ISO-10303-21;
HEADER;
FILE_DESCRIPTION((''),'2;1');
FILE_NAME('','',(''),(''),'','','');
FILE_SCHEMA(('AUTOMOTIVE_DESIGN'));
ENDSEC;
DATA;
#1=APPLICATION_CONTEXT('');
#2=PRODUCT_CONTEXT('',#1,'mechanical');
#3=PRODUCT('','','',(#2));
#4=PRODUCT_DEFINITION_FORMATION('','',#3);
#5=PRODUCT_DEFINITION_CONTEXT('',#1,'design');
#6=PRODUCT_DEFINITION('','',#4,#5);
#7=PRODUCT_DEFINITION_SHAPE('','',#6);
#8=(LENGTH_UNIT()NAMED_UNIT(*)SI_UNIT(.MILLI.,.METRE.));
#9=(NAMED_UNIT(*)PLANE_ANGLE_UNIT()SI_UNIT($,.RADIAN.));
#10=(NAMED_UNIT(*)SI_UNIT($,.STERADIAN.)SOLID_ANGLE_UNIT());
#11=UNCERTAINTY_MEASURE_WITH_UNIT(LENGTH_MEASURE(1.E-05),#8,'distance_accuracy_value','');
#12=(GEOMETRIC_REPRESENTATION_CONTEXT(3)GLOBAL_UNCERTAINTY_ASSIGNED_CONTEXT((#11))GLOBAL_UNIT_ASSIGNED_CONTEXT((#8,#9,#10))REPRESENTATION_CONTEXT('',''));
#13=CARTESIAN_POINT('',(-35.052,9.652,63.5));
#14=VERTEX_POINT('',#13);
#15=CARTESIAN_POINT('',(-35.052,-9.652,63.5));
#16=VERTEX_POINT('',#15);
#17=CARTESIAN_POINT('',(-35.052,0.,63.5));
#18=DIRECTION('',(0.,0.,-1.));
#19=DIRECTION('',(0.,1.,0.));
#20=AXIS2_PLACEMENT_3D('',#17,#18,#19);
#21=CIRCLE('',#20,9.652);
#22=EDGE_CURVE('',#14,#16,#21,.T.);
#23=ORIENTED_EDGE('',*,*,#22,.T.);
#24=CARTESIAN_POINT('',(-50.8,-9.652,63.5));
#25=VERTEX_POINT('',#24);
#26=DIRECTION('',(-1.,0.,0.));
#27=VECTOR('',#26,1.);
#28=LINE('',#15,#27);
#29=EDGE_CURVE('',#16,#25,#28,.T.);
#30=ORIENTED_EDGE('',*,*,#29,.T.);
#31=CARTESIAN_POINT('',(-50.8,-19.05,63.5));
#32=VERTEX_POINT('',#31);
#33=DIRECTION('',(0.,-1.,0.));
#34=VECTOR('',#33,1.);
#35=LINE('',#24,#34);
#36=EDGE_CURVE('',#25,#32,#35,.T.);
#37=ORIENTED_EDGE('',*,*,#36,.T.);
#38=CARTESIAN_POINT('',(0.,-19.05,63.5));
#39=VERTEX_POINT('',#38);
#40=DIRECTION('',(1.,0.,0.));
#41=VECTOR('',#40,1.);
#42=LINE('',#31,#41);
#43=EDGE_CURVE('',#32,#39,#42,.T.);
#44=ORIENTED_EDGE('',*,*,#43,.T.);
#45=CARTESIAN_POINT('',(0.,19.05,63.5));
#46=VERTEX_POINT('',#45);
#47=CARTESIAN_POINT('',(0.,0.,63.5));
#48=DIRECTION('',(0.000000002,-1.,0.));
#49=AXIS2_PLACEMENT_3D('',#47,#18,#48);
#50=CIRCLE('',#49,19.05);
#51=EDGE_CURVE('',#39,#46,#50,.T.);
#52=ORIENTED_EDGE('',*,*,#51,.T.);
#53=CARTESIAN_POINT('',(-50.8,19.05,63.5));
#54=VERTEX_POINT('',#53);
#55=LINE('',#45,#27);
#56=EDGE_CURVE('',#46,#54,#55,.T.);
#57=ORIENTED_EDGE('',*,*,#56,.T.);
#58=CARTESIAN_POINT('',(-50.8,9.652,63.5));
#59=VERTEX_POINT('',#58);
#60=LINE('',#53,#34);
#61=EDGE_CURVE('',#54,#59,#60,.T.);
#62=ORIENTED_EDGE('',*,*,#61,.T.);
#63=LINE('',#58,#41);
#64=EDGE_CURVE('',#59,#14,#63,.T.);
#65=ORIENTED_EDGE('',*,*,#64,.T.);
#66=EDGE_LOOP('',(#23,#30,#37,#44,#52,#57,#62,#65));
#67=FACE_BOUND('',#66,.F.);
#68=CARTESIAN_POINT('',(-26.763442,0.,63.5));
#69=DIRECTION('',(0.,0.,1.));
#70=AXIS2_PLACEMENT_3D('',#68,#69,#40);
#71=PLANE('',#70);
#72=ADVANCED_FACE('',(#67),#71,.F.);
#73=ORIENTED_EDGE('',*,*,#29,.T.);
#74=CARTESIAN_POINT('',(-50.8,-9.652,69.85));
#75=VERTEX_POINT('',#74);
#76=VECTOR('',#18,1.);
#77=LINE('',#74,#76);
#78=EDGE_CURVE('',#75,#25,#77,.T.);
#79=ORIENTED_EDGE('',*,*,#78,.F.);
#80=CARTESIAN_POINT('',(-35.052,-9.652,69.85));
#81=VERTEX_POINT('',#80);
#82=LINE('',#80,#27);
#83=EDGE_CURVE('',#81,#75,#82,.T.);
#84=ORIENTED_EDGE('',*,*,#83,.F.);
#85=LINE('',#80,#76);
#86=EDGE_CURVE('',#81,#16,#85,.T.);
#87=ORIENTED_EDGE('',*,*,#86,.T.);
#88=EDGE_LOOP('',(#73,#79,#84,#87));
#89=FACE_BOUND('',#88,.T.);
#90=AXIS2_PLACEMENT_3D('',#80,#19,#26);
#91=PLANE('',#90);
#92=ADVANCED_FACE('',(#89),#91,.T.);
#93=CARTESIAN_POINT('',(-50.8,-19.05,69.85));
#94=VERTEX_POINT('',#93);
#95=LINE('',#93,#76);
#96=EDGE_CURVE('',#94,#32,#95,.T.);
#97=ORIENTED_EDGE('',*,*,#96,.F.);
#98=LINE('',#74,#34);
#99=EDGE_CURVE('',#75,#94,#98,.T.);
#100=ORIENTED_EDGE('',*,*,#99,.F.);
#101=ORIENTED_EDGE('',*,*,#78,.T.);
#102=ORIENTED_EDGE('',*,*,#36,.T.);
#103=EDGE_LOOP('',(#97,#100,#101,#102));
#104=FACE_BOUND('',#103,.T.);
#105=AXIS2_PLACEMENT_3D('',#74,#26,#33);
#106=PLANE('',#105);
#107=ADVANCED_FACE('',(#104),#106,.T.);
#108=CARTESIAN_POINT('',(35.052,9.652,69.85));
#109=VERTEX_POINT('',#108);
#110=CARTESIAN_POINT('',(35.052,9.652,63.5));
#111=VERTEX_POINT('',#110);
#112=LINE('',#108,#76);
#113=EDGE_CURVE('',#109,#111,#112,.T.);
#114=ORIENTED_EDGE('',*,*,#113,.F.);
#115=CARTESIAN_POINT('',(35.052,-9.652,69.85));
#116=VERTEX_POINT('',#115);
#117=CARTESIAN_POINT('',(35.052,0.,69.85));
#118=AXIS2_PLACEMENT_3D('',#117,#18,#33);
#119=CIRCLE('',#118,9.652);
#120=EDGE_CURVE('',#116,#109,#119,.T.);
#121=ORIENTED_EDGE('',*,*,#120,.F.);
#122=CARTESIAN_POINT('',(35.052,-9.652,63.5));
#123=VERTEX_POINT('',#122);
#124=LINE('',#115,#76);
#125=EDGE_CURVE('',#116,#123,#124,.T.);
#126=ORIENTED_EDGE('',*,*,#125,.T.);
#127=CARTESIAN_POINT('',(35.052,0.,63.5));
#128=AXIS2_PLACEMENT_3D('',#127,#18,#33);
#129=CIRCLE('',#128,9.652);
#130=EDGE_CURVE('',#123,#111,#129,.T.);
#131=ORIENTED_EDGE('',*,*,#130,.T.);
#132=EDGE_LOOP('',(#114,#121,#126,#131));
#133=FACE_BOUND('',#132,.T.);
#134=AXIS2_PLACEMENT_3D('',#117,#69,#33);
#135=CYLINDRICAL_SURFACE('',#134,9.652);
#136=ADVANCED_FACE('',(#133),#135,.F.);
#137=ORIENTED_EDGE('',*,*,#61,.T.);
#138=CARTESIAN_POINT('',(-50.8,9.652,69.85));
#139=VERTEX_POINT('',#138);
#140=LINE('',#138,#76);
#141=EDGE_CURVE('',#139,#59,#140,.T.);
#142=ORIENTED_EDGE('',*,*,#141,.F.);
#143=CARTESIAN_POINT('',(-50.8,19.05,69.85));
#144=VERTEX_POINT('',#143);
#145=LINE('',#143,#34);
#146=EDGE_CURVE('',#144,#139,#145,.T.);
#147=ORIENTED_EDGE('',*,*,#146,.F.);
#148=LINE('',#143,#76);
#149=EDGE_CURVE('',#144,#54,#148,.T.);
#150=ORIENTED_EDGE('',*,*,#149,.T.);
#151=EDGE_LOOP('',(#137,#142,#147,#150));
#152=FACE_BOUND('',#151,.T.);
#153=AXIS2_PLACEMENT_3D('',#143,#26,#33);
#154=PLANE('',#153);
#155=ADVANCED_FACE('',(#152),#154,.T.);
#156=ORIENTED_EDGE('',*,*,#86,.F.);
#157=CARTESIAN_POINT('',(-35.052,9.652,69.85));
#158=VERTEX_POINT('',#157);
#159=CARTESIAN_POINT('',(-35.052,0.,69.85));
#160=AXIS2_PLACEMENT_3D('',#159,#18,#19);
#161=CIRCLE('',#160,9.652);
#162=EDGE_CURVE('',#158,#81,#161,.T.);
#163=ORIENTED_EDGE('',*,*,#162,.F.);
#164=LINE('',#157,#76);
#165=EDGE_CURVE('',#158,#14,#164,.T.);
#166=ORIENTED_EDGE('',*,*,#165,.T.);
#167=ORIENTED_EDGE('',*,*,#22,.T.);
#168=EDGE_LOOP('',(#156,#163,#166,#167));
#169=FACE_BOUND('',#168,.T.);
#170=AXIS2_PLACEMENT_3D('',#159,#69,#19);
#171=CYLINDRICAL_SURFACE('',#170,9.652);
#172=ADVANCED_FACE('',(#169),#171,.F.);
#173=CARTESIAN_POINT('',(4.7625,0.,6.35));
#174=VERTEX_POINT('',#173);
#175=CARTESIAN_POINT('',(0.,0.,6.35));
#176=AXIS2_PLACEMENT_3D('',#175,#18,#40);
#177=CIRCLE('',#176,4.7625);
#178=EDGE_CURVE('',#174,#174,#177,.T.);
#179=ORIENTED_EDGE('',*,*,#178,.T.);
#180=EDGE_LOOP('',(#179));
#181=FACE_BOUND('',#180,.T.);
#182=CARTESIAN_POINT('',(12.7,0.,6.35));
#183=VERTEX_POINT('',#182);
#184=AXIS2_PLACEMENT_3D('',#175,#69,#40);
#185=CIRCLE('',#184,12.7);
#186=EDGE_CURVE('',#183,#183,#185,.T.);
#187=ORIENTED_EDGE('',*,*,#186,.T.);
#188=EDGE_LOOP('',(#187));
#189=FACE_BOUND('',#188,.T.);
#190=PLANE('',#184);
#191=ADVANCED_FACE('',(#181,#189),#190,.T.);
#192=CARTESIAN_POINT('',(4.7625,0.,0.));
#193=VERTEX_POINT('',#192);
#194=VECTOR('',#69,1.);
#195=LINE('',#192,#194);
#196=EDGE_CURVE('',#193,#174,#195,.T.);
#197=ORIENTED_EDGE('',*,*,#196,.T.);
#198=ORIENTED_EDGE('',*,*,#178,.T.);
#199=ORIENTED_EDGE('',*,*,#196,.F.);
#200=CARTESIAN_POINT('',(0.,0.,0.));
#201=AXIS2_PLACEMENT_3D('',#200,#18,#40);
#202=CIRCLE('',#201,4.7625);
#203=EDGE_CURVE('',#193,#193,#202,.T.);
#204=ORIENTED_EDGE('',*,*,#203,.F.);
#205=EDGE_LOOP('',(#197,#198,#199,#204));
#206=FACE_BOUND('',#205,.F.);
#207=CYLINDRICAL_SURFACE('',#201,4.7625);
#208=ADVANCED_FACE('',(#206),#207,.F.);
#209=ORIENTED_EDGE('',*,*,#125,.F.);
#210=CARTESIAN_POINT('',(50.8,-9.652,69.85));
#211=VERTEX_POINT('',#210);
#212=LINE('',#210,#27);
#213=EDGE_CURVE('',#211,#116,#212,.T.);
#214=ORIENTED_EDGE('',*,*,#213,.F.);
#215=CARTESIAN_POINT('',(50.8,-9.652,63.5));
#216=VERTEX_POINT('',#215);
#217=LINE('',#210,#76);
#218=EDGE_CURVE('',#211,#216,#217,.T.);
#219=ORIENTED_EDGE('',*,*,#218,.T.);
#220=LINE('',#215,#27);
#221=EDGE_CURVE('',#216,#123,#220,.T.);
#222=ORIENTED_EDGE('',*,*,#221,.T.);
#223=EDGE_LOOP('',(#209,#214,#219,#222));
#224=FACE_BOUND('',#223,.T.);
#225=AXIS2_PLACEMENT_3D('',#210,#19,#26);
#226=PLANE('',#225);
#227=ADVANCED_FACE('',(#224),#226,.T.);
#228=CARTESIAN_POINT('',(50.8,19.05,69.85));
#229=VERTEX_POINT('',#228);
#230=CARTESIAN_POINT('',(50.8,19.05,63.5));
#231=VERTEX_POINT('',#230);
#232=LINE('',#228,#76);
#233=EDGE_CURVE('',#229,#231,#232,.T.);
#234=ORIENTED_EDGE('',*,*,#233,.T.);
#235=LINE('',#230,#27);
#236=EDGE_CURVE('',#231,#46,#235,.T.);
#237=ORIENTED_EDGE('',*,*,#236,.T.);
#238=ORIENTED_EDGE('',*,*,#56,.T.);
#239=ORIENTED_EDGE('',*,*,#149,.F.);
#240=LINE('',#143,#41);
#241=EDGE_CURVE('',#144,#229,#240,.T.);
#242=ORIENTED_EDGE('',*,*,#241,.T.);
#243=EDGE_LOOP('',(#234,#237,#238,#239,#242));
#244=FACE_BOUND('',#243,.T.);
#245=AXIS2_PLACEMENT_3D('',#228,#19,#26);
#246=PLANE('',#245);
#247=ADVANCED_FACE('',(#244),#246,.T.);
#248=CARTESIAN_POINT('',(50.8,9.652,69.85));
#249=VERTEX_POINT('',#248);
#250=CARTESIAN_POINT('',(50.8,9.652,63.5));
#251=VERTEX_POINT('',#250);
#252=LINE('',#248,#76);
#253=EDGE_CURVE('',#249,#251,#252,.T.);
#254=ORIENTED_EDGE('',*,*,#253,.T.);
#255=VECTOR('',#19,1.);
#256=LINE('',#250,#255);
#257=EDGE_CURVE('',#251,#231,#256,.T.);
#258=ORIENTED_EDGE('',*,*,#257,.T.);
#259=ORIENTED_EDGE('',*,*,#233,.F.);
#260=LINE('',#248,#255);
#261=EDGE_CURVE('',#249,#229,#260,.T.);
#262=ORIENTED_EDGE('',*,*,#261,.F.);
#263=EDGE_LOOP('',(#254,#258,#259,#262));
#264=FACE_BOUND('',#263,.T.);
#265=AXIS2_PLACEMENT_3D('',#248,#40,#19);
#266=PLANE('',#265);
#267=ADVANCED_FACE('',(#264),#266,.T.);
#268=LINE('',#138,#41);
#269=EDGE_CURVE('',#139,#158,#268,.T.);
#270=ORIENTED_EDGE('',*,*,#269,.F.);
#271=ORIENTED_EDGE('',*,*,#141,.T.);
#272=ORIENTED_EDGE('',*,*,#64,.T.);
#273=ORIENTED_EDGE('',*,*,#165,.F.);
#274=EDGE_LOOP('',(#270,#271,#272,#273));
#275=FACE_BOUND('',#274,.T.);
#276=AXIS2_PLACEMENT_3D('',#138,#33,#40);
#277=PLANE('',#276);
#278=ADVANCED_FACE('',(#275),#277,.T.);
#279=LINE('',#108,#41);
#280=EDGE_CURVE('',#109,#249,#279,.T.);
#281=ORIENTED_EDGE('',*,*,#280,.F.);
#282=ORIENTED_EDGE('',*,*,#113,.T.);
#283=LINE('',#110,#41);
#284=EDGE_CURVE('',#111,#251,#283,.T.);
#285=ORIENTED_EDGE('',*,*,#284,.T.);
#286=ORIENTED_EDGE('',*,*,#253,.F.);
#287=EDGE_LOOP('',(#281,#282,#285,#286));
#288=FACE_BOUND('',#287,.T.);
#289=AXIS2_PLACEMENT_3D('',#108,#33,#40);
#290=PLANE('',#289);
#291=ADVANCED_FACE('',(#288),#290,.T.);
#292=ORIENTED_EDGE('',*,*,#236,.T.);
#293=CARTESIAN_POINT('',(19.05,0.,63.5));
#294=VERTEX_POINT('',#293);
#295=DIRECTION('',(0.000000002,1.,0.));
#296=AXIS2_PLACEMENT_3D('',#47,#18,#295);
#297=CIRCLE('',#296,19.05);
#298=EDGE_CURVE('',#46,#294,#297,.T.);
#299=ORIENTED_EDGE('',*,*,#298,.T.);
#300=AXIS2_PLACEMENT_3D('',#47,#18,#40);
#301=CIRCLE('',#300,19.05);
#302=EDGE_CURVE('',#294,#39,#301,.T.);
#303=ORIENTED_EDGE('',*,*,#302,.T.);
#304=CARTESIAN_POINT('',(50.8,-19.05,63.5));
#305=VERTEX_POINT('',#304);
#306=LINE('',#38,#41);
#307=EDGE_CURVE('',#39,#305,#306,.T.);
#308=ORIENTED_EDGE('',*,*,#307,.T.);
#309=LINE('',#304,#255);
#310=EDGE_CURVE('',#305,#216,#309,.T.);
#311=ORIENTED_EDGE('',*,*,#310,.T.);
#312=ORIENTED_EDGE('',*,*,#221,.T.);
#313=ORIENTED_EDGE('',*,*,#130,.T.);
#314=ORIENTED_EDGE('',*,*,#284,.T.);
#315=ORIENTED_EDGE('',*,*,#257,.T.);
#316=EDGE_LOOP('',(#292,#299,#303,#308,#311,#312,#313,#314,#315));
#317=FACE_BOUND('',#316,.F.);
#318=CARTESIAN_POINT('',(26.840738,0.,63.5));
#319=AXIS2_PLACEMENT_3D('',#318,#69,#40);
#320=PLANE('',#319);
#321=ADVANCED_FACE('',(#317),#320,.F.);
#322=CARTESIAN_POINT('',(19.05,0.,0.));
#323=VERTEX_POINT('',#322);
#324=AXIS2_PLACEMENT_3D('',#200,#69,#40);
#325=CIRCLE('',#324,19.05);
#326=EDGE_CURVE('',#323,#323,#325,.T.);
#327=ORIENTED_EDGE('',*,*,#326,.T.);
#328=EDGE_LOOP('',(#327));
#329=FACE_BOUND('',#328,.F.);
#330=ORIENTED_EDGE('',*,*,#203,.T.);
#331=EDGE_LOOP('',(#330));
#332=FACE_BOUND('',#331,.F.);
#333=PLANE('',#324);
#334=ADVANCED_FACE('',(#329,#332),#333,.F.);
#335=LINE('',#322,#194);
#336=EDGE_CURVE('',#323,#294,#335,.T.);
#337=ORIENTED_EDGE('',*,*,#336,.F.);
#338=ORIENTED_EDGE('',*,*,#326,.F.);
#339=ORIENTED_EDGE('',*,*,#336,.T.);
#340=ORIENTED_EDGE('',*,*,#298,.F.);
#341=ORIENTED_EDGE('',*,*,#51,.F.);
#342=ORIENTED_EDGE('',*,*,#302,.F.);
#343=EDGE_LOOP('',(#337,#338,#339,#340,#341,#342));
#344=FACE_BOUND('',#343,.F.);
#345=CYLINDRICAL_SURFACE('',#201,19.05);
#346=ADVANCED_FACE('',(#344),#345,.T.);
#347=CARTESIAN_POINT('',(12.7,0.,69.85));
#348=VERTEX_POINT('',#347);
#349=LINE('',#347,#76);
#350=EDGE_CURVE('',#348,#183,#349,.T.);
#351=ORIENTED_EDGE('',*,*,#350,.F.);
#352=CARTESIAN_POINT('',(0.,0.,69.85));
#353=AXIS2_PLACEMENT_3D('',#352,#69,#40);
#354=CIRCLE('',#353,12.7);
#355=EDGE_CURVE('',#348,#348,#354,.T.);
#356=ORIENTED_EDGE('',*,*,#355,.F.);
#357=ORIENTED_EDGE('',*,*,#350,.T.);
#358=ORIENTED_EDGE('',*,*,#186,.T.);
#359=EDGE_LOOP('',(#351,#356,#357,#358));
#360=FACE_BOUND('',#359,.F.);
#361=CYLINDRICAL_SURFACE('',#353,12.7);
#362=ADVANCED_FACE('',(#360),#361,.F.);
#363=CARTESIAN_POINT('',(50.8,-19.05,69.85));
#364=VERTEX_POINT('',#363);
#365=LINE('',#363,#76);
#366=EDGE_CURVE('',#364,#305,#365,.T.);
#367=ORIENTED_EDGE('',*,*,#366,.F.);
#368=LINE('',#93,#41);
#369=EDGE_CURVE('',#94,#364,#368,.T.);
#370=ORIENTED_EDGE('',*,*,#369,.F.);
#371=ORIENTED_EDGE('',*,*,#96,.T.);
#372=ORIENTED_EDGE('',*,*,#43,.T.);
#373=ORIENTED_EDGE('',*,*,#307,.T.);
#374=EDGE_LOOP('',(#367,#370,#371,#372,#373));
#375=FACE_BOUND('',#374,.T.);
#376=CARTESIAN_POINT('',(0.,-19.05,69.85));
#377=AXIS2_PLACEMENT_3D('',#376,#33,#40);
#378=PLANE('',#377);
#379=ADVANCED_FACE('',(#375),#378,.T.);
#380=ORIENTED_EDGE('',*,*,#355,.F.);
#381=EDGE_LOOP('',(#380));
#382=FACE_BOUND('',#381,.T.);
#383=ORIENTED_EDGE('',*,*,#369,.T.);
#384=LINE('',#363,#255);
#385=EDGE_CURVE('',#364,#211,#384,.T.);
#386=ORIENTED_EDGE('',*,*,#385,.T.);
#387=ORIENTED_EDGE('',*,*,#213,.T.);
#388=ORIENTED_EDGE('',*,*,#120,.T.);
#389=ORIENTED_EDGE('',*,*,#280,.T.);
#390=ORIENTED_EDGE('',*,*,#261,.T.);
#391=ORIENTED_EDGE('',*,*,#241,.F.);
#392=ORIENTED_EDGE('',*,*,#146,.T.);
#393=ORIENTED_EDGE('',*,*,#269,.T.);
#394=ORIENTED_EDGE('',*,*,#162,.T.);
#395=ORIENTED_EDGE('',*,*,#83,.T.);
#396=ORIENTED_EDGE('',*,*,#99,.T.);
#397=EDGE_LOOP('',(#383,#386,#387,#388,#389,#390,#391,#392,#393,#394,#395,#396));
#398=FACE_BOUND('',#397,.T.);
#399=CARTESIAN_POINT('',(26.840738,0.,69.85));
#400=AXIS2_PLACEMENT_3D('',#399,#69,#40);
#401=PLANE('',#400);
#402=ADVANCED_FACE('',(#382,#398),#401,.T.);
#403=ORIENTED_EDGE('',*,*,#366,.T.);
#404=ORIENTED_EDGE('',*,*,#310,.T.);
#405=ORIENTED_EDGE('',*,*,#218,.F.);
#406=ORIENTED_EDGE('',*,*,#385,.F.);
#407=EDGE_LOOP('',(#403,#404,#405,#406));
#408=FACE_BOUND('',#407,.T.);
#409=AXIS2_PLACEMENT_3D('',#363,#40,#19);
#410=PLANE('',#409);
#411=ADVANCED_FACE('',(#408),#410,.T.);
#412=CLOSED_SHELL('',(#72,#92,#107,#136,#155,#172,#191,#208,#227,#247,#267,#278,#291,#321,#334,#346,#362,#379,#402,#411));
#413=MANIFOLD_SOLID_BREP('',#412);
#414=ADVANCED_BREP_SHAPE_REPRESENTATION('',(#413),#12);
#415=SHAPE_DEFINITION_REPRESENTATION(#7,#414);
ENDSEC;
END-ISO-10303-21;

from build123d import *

# Parameters (mm, degrees)
F0_R     = 19.05
F1_DEPTH = 69.85
F2_R     = 12.7
F3_DEPTH = 63.5
F5_DEPTH = 6.35
F6_R     = 4.7625
F7_DEPTH = 69.851


with BuildPart() as f1:
    # F0 (on Top) → F1 (new body)
    with BuildSketch(Plane.XY):
        Circle(F0_R)
    extrude(amount=F1_DEPTH)

    # F2 (on face) → F3 (cut)
    with BuildSketch(Plane.XY.offset(69.85)):
        Circle(F2_R)
    extrude(amount=-F3_DEPTH, mode=Mode.SUBTRACT)

    # F4 (on face) → F5 (join)
    with BuildSketch(Plane.XY.offset(69.85)):
        with BuildLine():
            Line((50.8, 19.05), (3.68e-08, 19.05))
            ThreePointArc((3.68e-08, 19.05), (13.4703841946, 13.4703841686), (19.05, 0))
            ThreePointArc((19.05, 0), (13.4703841946, -13.4703841686), (3.68e-08, -19.05))
            Line((3.68e-08, -19.05), (50.8, -19.05))
            Line((50.8, -19.05), (50.8, -9.652))
            Line((50.8, -9.652), (35.052, -9.652))
            ThreePointArc((35.052, -9.652), (25.4, 0), (35.052, 9.652))
            Line((35.052, 9.652), (50.8, 9.652))
            Line((50.8, 9.652), (50.8, 19.05))
        make_face()
        with BuildLine():
            Line((3.68e-08, 19.05), (-50.8, 19.05))
            Line((-50.8, 19.05), (-50.8, 9.652))
            Line((-50.8, 9.652), (-35.052, 9.652))
            ThreePointArc((-35.052, 9.652), (-25.4, 0), (-35.052, -9.652))
            Line((-35.052, -9.652), (-50.8, -9.652))
            Line((-50.8, -9.652), (-50.8, -19.05))
            Line((-50.8, -19.05), (3.68e-08, -19.05))
            ThreePointArc((3.68e-08, -19.05), (-19.05, 0), (3.68e-08, 19.05))
        make_face()
    extrude(amount=-F5_DEPTH)

    # F6 (on face) → F7 (cut, through all)
    with BuildSketch(Plane(origin=(0, 0, 0), x_dir=(1, 0, 0), z_dir=(0, 0, -1))):
        Circle(F6_R)
    extrude(amount=-F7_DEPTH, mode=Mode.SUBTRACT)


solid = f1.part
